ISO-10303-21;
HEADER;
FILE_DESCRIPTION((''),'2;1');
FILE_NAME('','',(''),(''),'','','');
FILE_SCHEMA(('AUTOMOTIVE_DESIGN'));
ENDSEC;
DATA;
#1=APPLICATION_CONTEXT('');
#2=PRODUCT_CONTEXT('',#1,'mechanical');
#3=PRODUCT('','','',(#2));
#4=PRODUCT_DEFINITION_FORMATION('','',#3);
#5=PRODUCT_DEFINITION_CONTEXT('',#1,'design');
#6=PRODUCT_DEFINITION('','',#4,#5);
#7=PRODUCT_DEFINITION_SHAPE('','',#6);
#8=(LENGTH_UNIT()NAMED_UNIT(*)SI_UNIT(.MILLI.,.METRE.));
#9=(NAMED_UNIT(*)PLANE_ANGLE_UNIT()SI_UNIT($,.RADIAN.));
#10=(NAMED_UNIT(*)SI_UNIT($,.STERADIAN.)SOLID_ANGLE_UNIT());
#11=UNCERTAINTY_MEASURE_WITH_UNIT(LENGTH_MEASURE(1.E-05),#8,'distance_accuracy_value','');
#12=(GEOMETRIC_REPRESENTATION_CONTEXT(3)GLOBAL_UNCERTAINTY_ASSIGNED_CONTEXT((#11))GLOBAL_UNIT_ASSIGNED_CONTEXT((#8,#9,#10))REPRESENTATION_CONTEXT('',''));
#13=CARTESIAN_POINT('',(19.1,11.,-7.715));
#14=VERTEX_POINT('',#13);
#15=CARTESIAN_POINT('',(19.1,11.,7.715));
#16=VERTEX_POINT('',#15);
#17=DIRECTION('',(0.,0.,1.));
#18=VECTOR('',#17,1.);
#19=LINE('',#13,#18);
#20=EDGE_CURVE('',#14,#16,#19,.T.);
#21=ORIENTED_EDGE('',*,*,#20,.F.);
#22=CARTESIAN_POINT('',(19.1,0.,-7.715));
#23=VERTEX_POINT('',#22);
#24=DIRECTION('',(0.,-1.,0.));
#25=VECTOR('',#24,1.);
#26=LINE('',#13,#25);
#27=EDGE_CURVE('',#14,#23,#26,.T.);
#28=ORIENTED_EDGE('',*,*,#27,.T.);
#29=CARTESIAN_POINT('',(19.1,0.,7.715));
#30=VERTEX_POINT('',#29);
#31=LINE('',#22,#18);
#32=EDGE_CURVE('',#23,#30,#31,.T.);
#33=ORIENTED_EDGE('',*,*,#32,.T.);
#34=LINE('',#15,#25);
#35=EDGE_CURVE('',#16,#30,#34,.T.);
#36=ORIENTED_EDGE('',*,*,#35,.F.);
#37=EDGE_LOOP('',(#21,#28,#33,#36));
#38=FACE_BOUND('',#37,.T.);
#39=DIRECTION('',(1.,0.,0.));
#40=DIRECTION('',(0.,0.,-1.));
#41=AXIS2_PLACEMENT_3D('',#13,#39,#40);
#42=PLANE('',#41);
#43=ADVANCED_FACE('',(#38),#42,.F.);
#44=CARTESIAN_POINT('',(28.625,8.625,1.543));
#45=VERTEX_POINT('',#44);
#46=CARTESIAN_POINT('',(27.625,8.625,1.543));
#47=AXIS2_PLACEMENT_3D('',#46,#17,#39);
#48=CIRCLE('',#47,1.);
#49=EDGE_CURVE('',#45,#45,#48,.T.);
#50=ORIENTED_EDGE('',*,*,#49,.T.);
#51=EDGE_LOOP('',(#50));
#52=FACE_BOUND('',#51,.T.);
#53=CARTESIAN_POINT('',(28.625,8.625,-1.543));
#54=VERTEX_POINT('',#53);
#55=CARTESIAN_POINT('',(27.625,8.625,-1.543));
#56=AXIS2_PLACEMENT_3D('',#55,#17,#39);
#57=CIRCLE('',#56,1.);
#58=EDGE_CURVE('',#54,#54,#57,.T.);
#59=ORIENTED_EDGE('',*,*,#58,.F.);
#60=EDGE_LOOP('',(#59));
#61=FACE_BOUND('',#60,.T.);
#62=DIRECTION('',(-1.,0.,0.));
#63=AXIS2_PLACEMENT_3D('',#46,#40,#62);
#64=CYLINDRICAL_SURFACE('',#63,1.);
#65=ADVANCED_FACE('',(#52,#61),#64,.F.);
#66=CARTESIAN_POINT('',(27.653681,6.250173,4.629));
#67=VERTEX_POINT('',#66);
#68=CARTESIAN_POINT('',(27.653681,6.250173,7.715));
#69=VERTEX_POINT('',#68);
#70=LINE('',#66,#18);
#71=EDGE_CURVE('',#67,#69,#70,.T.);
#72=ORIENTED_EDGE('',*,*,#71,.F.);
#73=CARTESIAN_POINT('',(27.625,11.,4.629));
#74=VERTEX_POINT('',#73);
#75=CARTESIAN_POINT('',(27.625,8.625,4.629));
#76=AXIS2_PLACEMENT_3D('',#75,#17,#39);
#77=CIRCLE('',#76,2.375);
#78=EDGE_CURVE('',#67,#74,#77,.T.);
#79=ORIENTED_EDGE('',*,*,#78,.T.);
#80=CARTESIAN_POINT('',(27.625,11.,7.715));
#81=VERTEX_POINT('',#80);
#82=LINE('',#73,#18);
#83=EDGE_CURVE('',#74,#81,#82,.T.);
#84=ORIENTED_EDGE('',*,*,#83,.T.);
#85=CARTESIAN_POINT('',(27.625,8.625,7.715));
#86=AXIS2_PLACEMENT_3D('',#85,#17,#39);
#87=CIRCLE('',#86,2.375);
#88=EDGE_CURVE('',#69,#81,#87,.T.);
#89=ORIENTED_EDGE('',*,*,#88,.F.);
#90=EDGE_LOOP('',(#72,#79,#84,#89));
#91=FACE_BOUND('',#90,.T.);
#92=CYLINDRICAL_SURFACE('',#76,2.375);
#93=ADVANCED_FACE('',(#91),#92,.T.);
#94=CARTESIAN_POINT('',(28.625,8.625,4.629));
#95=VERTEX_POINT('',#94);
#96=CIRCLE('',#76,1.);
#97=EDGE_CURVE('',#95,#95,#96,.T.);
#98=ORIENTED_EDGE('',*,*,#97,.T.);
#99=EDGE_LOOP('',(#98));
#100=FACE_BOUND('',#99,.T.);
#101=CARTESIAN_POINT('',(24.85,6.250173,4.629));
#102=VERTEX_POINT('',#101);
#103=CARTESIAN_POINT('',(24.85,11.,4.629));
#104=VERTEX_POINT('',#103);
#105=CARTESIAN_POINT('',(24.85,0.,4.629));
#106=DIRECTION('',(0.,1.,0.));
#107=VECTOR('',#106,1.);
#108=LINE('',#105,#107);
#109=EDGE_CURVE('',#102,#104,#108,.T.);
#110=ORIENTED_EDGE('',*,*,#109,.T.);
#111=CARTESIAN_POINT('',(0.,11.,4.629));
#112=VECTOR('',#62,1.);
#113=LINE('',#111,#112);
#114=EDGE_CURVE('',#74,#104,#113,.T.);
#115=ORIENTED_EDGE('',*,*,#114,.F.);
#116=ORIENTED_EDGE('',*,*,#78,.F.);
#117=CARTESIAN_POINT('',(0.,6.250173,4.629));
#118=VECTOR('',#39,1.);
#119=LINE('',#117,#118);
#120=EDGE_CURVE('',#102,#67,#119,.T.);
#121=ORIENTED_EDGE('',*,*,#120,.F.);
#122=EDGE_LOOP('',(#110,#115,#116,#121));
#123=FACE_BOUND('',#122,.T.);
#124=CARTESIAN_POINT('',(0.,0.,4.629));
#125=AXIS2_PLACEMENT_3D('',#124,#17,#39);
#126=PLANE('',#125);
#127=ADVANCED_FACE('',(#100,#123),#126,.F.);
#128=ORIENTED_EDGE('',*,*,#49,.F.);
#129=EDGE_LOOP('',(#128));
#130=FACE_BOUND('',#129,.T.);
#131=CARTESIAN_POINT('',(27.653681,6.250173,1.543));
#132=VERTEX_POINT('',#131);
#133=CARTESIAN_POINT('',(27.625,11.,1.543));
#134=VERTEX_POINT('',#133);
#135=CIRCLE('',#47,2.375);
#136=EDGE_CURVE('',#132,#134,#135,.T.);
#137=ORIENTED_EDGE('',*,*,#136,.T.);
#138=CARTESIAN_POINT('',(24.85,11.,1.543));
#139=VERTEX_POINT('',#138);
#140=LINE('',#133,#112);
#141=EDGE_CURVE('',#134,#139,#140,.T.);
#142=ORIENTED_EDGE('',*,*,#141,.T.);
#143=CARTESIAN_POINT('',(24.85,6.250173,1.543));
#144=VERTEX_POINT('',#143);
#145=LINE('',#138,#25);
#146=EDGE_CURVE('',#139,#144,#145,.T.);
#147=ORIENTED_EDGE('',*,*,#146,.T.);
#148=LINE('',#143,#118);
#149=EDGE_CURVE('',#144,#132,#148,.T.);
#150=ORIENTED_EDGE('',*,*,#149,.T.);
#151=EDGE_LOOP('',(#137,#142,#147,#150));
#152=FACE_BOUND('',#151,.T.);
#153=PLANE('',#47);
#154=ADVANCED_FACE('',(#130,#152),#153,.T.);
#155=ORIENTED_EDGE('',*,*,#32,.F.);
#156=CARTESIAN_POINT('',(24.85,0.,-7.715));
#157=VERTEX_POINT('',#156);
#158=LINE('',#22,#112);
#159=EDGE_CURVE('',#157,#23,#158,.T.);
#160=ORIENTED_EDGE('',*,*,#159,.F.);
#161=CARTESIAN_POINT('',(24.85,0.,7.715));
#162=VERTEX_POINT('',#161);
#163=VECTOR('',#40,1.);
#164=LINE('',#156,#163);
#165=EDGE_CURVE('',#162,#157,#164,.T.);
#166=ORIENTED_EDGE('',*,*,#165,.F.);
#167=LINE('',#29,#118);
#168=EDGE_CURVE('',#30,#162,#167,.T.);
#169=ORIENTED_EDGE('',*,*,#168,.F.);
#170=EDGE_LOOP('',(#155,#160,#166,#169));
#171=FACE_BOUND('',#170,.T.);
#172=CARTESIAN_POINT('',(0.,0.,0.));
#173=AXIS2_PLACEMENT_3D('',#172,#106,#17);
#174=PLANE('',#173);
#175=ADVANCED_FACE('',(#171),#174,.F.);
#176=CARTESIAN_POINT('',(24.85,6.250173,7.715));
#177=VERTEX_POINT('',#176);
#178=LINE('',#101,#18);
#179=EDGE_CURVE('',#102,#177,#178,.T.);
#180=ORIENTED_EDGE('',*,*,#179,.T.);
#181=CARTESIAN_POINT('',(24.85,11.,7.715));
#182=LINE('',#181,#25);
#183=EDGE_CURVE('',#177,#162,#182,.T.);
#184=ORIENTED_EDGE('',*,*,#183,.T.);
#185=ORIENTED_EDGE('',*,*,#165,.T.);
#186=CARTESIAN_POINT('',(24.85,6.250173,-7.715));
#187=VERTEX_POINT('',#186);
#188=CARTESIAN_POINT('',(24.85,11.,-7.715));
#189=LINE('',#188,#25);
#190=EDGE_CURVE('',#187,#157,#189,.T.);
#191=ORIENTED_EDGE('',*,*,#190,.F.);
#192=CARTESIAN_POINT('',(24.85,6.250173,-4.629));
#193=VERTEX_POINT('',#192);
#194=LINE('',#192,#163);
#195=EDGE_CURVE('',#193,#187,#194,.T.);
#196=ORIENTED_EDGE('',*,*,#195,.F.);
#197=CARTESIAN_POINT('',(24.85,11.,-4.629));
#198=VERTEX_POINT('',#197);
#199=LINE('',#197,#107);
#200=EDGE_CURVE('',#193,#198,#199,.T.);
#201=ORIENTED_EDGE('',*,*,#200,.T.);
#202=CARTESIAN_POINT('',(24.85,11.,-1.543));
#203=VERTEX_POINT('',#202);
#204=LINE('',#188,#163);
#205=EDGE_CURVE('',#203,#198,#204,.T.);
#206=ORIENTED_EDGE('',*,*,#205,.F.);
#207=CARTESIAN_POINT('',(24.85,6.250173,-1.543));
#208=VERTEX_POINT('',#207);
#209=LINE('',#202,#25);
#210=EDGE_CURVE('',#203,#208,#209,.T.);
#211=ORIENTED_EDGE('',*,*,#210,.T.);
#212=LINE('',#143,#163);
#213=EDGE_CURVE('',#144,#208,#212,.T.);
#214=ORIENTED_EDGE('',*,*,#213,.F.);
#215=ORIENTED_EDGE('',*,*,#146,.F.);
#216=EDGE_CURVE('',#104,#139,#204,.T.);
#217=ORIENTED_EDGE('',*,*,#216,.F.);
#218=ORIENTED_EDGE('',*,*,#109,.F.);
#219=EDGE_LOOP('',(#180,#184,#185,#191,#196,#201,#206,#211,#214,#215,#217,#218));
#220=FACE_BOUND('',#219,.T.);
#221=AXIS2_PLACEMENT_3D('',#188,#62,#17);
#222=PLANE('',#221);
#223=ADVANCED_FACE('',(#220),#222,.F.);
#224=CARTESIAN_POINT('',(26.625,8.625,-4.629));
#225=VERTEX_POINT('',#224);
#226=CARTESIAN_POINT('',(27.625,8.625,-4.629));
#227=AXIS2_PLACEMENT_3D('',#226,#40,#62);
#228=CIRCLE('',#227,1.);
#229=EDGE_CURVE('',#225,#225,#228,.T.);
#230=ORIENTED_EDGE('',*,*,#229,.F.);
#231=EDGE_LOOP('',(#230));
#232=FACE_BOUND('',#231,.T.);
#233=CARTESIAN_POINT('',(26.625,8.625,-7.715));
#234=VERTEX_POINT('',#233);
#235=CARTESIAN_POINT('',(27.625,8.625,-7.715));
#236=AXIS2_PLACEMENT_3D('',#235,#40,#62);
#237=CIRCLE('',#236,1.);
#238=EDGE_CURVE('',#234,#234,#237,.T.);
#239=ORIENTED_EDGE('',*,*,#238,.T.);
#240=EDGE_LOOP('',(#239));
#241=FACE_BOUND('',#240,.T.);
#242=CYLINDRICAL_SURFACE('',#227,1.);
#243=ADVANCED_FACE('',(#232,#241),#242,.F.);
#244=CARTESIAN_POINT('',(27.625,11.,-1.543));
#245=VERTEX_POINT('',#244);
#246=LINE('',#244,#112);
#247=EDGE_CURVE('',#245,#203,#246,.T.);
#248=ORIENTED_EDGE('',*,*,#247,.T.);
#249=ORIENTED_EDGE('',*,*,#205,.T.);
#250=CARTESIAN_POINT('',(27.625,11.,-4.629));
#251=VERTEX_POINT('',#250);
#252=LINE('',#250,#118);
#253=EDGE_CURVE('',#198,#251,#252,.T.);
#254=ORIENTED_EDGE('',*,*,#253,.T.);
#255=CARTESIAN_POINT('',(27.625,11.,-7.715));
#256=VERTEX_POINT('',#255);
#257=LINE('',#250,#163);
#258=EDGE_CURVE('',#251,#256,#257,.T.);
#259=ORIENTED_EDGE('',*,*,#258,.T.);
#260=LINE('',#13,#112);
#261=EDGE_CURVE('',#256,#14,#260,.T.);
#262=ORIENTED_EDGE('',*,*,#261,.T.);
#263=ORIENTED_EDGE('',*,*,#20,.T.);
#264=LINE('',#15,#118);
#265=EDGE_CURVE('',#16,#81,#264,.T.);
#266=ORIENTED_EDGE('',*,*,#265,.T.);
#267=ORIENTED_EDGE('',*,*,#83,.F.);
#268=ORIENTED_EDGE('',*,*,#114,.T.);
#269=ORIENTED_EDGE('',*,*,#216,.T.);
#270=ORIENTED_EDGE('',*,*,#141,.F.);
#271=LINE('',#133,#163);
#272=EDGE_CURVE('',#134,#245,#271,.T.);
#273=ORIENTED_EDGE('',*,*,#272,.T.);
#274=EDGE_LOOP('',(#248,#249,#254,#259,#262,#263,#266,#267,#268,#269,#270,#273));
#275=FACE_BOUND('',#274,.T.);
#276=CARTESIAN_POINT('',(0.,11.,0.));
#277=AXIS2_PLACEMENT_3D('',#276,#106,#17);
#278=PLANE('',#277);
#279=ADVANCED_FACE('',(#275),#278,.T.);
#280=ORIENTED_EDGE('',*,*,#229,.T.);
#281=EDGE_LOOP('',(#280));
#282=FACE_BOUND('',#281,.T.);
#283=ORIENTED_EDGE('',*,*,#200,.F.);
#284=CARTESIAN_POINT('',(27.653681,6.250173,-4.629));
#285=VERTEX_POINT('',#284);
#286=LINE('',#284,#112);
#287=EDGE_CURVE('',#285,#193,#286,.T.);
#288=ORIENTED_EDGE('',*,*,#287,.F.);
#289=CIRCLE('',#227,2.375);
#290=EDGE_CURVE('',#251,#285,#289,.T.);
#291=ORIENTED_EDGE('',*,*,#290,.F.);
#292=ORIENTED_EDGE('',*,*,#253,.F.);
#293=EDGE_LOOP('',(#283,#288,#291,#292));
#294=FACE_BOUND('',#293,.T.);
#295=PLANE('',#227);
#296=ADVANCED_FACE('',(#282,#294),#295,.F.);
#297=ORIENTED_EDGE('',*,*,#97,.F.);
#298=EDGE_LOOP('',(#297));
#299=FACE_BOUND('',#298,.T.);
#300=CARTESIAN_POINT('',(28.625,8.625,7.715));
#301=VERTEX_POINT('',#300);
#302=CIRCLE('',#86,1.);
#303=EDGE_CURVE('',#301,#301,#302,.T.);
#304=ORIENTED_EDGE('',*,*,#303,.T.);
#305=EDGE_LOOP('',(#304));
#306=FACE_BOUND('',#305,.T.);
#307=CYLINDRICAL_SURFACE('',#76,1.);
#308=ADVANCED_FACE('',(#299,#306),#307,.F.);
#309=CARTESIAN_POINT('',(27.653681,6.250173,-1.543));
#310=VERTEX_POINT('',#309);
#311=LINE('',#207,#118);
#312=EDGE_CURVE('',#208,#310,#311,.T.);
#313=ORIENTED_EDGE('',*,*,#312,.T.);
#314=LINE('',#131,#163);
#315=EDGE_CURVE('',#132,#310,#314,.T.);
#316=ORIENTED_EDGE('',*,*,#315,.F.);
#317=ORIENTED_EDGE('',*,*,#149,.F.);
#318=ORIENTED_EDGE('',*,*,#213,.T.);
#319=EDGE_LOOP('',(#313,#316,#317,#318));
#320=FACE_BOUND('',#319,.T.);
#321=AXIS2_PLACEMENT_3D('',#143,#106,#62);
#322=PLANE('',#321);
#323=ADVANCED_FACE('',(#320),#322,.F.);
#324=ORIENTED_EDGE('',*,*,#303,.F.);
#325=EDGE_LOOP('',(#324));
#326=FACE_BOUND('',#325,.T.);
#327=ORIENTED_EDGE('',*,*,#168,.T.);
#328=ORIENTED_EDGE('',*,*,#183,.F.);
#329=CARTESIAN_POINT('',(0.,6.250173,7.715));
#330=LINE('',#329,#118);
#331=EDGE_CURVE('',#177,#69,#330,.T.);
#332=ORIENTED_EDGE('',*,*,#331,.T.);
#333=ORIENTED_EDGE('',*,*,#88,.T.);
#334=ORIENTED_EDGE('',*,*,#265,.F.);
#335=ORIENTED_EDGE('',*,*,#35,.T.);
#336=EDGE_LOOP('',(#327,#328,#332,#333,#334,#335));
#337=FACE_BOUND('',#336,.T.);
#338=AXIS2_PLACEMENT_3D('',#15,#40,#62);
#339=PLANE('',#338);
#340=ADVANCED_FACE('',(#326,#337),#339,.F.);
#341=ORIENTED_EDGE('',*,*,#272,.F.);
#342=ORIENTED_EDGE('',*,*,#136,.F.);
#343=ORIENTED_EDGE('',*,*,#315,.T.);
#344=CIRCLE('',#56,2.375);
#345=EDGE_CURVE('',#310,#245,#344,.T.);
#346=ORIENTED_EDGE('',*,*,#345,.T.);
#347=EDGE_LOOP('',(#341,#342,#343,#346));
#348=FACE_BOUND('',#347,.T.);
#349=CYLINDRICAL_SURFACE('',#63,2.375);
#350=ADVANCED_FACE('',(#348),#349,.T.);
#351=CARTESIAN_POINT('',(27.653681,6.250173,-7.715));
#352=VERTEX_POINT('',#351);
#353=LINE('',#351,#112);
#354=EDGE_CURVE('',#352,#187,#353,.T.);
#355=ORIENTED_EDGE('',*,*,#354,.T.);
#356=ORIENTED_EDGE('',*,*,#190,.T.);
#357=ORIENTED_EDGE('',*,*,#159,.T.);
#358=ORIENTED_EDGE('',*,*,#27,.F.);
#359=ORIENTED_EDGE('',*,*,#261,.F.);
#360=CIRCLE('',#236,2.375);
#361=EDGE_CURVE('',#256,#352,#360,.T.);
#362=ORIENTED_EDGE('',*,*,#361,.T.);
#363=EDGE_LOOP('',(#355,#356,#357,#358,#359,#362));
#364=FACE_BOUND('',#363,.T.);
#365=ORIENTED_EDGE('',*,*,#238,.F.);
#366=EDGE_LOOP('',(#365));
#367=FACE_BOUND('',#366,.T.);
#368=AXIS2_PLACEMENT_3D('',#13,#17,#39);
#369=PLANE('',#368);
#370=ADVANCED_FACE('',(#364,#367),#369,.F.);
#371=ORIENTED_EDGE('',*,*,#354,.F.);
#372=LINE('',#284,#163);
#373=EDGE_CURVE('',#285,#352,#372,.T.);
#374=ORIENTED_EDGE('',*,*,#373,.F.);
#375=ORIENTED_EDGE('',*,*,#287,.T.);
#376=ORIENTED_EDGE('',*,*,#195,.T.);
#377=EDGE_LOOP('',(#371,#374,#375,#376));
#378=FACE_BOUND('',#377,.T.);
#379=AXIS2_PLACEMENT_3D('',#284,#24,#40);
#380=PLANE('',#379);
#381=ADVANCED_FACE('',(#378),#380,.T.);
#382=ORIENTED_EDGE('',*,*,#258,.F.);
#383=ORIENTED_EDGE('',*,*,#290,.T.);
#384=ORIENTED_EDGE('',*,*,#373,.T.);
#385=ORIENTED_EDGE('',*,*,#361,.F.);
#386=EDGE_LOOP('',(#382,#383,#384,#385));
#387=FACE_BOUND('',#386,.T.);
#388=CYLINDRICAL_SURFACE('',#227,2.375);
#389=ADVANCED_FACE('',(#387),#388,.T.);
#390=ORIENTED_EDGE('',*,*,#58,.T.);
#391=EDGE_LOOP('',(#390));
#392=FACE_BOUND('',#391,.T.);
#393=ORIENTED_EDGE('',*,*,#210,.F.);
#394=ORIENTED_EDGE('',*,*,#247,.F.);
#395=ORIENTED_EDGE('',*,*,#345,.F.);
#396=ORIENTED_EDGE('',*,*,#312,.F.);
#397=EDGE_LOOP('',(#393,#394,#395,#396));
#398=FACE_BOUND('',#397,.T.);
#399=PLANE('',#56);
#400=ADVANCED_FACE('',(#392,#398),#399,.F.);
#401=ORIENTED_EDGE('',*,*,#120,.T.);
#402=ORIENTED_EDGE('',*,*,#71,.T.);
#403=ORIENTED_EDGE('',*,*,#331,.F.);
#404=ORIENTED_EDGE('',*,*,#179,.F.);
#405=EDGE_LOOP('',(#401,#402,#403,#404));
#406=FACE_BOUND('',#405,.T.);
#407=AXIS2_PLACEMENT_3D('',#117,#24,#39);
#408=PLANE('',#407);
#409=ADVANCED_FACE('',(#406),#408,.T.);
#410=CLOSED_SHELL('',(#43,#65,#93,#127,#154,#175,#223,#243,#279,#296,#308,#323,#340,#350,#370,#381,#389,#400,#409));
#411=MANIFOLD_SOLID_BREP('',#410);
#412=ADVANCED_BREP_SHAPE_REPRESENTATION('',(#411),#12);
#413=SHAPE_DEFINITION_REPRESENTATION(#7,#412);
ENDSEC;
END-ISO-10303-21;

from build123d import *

# Parameters (mm, degrees)
SKETCH1_W           = 5.75
SKETCH1_H           = 15.43
BOSS_EXTRUDE3_DEPTH = 11
SKETCH3_R           = 1
BOSS_EXTRUDE4_DEPTH = 3.086
SKETCH4_R           = 1
BOSS_EXTRUDE5_DEPTH = 1.543
BOSS_EXTRUDE6_START = -3.086
SKETCH5_R           = 1
BOSS_EXTRUDE6_DEPTH = 3.086


with BuildPart() as part:
    # Sketch1 → Boss-Extrude3 (new body)
    with BuildSketch(Plane(origin=(0, 0, 0), x_dir=(1, 0, 0), z_dir=(0, 1, 0))):
        with Locations((21.975, 0)):
            Rectangle(SKETCH1_W, SKETCH1_H)
    extrude(amount=BOSS_EXTRUDE3_DEPTH)

    # Sketch3 → Boss-Extrude4 (add)
    with BuildSketch(Plane(origin=(0, 0, -7.715), x_dir=(-1, 0, 0), z_dir=(0, 0, -1))):
        with BuildLine():
            Line((-24.85, 11), (-24.85, 6.250173181))
            Line((-24.85, 6.250173181), (-27.653680617, 6.250173181))
            ThreePointArc((-27.653680617, 6.250173181), (-29.999956704, 8.63934057), (-27.625, 11))
            Line((-27.625, 11), (-24.85, 11))
        make_face()
        with Locations((-27.625, 8.625)):
            Circle(SKETCH3_R, mode=Mode.SUBTRACT)
    extrude(amount=-BOSS_EXTRUDE4_DEPTH)

    # Sketch4 → Boss-Extrude5 (add, symmetric)
    with BuildSketch(Plane.XY):
        with BuildLine():
            Line((27.625, 11), (24.85, 11))
            Line((24.85, 11), (24.85, 6.250173181))
            Line((24.85, 6.250173181), (27.653680617, 6.250173181))
            ThreePointArc((27.653680617, 6.250173181), (29.999956704, 8.63934057), (27.625, 11))
        make_face()
        with Locations(Location((27.625, 8.625, 0), (0, 0, 180))):
            Circle(SKETCH4_R, mode=Mode.SUBTRACT)
    extrude(amount=BOSS_EXTRUDE5_DEPTH, both=True)

    # Sketch5 → Boss-Extrude6 (add)
    with BuildSketch(Plane.XY.offset(7.715).offset(BOSS_EXTRUDE6_START)):
        with BuildLine():
            Line((24.85, 6.250173181), (27.653680617, 6.250173181))
            ThreePointArc((27.653680617, 6.250173181), (29.999956704, 8.63934057), (27.625, 11))
            Line((27.625, 11), (24.85, 11))
            Line((24.85, 11), (24.85, 6.250173181))
        make_face()
        with Locations(Location((27.625, 8.625, 0), (0, 0, 180))):
            Circle(SKETCH5_R, mode=Mode.SUBTRACT)
    extrude(amount=BOSS_EXTRUDE6_DEPTH)


solid = part.part
